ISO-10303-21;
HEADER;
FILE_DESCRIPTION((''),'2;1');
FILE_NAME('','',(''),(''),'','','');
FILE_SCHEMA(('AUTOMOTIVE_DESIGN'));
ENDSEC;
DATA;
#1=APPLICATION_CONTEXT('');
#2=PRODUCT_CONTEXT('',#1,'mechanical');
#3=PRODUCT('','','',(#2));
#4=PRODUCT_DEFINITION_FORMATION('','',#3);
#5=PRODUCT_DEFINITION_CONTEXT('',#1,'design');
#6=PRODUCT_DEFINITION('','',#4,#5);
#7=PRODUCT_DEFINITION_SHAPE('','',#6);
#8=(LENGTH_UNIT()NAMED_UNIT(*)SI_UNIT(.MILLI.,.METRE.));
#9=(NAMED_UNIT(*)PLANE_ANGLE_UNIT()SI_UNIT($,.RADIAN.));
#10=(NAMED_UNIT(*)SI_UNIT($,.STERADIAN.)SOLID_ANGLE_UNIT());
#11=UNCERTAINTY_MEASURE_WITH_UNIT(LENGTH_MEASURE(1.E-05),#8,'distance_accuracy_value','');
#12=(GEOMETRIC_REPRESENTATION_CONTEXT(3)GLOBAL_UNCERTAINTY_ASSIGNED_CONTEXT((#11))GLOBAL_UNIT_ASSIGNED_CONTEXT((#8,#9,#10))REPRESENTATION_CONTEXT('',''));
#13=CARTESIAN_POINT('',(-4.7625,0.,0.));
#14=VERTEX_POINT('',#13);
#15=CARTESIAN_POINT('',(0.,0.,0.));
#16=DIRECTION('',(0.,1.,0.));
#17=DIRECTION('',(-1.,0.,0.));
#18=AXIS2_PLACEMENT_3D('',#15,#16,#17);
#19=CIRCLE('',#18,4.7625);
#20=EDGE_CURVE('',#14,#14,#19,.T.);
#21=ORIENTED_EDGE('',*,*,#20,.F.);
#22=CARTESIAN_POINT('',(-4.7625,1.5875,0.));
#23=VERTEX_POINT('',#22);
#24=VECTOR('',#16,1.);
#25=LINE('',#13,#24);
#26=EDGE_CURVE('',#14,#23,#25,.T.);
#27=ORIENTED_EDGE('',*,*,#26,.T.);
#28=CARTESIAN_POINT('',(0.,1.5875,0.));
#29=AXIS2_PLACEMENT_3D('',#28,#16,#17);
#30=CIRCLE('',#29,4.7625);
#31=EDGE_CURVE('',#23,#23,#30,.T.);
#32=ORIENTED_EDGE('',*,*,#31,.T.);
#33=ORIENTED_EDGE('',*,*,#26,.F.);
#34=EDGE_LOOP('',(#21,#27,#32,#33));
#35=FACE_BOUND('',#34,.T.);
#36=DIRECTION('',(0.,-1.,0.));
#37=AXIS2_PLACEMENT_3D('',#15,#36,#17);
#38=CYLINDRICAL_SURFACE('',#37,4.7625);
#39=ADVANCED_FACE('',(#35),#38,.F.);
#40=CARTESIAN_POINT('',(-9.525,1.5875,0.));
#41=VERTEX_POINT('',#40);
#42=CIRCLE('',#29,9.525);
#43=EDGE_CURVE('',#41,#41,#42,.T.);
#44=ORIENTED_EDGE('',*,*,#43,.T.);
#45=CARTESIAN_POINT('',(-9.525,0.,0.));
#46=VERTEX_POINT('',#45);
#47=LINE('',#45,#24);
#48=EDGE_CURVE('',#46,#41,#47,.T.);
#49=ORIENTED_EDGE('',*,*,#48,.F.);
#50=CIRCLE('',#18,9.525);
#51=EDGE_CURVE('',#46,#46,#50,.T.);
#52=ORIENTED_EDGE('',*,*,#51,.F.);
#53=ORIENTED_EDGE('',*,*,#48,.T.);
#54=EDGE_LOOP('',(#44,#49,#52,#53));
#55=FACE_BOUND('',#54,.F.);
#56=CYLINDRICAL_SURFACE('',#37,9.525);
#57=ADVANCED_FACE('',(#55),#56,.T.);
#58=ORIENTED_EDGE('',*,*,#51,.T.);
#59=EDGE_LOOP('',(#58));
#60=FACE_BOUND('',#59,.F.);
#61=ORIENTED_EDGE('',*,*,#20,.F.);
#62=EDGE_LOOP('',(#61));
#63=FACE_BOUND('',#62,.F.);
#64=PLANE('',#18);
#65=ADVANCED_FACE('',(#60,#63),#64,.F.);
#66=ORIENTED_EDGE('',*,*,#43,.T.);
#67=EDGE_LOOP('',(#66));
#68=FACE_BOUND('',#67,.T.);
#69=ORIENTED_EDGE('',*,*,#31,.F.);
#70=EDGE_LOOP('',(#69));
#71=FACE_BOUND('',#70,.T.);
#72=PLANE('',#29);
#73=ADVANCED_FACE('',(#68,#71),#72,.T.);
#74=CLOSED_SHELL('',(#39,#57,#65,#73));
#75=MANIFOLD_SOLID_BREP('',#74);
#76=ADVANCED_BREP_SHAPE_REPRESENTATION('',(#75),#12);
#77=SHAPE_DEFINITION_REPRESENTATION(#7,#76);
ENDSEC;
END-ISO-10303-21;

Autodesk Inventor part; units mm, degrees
ref_plane "YZ Plane" through (0, 0, 0) normal (1, 0, 0) x (0, 1, 0)
ref_plane "XZ Plane" through (0, 0, 0) normal (0, 1, 0) x (-1, 0, 0)
ref_plane "XY Plane" through (0, 0, 0) normal (0, 0, 1) x (1, 0, 0)
sketch "Sketch1" plane through (0, 0, 0) normal (0, 1, 0) x (-1, 0, 0)
  circle A0 centre (0, 0) radius 9.525
  circle A1 centre (0, 0) radius 4.7625
  dimension "d0" = 19.05
  dimension "d1" = 9.525
extrude "Extrusion1" add sketch "Sketch1" along normal blind 1.5875
properties part number "Washer"
